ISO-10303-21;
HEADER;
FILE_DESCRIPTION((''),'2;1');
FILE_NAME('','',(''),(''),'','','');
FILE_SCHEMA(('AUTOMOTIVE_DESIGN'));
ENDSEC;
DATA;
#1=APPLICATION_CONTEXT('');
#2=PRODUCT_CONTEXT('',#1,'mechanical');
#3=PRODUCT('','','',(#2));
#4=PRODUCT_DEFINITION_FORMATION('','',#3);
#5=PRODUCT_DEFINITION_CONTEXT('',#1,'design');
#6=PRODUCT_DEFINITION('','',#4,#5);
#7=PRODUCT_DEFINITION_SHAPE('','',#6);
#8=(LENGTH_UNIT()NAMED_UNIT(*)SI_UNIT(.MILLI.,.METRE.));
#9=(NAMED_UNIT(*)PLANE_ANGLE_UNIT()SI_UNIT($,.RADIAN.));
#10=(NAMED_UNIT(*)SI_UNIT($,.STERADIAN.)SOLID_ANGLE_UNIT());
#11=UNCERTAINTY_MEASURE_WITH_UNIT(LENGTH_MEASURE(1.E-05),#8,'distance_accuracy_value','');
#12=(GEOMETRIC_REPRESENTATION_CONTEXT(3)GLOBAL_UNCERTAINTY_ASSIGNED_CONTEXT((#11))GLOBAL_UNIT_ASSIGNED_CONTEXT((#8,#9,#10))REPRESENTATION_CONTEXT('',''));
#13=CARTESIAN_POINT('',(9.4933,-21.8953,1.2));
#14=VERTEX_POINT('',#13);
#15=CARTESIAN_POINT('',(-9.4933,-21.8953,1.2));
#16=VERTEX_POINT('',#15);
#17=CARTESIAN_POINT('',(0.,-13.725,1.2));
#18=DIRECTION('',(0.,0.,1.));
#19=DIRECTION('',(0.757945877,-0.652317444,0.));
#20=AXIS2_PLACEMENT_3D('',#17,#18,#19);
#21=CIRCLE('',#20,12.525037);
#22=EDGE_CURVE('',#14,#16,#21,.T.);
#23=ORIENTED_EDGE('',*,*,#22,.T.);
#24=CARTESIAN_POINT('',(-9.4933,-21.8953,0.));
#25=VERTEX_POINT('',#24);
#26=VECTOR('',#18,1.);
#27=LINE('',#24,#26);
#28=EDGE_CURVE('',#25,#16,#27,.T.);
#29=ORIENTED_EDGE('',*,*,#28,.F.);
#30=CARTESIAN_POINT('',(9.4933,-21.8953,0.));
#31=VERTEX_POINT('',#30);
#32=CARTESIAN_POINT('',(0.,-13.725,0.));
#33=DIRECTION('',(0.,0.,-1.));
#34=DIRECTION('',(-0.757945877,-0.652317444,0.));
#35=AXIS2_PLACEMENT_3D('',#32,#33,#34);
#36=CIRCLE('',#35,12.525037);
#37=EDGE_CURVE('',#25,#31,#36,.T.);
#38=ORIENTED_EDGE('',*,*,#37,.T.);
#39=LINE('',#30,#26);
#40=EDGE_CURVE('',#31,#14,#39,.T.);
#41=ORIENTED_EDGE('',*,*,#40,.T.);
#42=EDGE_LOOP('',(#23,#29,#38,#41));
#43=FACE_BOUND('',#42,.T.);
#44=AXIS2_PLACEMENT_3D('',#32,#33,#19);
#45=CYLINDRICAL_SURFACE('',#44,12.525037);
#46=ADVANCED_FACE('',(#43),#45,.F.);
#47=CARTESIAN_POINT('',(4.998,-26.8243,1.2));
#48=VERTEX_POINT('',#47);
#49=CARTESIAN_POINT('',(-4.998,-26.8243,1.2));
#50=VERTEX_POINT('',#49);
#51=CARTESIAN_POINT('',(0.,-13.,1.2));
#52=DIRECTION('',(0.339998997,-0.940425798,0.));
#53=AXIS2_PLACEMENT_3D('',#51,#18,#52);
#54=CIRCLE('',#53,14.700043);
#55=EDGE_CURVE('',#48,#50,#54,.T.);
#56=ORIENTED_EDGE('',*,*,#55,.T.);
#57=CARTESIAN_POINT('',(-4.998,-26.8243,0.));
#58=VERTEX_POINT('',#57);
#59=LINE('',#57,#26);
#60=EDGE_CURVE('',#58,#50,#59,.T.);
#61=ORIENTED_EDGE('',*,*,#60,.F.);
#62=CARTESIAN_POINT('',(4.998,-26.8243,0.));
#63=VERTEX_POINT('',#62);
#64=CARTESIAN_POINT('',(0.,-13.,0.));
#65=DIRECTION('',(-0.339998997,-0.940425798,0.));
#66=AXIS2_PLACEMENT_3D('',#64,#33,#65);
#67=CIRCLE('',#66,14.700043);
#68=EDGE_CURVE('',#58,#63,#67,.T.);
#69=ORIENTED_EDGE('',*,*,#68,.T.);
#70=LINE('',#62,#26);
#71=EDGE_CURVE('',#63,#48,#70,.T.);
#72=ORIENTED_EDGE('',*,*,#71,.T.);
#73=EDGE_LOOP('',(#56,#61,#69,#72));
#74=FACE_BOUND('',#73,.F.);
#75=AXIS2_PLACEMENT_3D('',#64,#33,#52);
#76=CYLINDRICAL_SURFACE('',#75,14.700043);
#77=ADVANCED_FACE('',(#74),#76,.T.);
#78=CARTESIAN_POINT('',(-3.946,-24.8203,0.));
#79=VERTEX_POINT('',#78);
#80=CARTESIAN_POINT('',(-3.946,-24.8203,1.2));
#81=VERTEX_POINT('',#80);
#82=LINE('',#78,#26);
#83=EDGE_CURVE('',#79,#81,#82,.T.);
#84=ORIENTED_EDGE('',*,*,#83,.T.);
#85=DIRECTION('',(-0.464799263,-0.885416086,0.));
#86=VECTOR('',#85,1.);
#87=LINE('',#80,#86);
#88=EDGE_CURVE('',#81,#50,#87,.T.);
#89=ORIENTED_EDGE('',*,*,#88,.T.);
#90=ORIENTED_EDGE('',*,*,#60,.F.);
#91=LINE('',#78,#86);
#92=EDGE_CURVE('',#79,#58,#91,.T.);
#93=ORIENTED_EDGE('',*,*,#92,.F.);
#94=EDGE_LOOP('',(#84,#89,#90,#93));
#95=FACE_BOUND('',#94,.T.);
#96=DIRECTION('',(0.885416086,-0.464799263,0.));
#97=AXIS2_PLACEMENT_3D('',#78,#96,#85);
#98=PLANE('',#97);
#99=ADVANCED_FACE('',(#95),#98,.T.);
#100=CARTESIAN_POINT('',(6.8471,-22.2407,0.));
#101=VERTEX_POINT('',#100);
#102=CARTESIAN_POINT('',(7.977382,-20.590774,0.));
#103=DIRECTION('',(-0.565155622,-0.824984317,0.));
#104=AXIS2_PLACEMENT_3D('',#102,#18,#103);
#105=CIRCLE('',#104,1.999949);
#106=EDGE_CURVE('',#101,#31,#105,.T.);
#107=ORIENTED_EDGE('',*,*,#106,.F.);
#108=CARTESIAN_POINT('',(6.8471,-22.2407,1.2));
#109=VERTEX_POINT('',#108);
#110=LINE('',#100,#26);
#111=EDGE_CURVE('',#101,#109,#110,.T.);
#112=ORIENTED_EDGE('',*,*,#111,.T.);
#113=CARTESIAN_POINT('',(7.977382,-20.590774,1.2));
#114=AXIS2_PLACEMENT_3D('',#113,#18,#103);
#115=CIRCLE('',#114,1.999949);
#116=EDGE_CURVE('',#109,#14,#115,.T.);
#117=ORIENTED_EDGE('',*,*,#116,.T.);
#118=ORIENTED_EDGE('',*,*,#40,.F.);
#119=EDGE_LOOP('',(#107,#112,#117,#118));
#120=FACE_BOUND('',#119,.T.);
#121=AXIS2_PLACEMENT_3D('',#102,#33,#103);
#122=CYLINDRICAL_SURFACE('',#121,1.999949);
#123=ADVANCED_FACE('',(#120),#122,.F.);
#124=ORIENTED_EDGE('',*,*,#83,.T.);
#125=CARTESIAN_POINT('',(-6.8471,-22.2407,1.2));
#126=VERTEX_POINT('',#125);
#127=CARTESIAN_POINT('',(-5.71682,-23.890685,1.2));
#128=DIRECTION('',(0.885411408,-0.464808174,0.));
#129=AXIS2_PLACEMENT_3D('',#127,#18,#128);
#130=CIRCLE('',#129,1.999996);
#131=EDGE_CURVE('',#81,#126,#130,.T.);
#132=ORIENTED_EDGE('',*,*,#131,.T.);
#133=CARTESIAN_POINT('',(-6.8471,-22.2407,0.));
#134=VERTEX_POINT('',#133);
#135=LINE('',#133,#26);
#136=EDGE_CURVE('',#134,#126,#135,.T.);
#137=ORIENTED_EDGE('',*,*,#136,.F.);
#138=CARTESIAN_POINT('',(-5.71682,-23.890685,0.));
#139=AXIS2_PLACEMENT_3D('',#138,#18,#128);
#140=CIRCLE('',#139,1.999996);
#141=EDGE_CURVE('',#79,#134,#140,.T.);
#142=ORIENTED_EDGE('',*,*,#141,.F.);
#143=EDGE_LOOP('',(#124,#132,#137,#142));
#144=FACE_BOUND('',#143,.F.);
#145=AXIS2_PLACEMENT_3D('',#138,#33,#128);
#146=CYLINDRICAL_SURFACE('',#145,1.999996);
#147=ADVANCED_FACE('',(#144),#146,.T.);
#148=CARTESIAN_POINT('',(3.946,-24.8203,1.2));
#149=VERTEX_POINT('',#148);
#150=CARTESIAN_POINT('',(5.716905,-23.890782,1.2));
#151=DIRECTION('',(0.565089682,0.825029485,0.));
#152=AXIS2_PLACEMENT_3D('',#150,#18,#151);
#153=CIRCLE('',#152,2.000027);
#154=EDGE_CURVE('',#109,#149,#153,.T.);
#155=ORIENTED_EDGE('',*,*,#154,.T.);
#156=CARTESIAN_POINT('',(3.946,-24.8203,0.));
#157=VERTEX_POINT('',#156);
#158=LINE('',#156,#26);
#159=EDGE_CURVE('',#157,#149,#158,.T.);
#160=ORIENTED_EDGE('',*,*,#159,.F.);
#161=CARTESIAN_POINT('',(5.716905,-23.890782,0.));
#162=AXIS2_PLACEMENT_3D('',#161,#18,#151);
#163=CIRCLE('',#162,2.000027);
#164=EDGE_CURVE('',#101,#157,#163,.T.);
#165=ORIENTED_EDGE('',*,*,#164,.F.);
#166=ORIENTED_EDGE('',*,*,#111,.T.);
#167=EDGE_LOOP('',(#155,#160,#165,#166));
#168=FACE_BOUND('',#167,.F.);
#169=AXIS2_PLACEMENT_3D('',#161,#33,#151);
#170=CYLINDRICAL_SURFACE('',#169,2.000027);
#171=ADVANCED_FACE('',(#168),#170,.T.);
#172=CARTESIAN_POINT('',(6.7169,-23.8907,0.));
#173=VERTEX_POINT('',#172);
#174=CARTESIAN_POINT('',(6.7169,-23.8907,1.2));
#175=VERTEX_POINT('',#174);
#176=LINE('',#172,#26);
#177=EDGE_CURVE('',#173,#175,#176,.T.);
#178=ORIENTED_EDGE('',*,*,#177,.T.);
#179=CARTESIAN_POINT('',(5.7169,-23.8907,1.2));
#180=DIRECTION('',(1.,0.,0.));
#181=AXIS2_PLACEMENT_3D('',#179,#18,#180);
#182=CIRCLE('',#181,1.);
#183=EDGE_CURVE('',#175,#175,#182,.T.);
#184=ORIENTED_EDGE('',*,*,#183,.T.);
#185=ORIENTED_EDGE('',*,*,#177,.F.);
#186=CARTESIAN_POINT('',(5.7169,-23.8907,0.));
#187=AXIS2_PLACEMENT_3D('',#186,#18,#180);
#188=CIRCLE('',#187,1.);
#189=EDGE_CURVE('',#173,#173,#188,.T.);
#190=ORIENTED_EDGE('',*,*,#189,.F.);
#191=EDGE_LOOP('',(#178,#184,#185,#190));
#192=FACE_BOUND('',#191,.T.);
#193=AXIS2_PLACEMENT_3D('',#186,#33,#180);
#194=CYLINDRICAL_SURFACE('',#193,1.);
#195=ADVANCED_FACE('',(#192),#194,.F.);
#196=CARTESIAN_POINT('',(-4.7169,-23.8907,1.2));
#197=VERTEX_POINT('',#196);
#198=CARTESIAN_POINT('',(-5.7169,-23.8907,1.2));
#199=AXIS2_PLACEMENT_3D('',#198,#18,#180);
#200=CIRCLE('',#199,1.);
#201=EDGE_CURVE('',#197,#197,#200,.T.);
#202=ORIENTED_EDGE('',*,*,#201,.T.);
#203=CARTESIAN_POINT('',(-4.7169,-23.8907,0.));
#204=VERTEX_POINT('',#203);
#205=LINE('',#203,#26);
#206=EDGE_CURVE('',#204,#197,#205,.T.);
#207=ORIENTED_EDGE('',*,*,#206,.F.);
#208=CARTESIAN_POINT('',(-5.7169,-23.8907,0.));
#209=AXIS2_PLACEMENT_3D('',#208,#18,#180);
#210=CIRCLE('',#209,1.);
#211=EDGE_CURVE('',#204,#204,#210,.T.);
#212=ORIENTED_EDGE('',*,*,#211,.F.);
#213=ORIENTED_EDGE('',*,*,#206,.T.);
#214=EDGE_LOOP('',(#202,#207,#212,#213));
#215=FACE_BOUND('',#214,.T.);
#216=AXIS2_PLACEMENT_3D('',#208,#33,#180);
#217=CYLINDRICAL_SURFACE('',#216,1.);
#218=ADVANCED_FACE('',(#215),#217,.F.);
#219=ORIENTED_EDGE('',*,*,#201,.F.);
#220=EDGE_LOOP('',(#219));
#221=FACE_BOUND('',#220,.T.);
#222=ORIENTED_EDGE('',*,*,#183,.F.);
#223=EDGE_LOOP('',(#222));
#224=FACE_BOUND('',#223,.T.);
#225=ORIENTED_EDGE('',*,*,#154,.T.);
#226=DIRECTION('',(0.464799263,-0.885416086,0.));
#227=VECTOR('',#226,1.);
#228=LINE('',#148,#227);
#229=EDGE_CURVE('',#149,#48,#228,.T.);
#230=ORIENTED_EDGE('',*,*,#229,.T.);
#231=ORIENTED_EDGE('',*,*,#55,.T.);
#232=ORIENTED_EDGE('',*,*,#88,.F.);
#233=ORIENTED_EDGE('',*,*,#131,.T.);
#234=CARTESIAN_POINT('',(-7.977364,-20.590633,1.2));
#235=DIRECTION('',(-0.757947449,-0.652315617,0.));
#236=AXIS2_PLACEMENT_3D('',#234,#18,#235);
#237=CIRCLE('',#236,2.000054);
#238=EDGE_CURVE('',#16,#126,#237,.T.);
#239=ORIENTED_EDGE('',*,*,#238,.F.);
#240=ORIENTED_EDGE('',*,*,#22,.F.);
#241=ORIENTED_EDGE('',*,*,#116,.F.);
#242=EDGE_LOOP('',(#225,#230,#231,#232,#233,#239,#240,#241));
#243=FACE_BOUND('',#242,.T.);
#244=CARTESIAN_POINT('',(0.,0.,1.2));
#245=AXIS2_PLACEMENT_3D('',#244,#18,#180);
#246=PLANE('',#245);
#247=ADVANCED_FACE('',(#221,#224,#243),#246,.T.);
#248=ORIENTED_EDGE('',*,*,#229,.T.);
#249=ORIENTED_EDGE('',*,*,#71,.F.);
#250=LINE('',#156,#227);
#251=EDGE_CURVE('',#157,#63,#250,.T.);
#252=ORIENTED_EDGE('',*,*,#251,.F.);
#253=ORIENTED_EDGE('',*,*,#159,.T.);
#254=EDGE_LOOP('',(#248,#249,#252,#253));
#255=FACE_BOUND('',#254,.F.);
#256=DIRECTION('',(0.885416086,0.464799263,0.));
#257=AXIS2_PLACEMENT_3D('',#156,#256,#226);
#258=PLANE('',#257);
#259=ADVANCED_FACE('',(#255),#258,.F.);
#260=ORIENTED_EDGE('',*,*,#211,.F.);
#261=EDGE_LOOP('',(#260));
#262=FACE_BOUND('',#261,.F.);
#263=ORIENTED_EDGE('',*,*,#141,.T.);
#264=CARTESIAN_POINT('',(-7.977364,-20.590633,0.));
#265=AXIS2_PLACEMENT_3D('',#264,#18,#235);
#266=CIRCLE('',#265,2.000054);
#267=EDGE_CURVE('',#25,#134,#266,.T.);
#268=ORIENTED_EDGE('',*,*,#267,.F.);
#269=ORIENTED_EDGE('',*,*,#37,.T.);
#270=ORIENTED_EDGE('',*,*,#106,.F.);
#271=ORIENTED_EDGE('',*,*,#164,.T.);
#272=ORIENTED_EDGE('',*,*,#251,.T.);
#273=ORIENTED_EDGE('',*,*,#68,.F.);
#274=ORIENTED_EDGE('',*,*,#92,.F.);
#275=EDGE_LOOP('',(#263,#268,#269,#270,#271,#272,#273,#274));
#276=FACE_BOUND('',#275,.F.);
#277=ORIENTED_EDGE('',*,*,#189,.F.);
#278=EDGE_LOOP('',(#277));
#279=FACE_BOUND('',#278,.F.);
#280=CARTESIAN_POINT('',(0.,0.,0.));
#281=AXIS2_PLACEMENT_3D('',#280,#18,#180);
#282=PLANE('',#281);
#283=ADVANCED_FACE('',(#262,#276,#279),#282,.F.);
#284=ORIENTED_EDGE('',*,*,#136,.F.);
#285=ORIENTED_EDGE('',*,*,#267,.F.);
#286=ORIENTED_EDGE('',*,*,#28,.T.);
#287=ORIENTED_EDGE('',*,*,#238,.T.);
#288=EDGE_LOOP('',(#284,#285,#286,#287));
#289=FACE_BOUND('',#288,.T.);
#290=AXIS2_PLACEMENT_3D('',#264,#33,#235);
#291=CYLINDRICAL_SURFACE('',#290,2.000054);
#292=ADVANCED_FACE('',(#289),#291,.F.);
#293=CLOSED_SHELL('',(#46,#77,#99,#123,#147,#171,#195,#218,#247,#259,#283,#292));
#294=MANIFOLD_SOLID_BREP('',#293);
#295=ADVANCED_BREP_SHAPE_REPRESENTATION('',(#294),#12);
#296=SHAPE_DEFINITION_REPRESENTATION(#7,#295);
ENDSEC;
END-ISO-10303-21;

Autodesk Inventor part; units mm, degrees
ref_plane "YZ Plane" through (0, 0, 0) normal (1, 0, 0) x (0, 1, 0)
ref_plane "XZ Plane" through (0, 0, 0) normal (0, 1, 0) x (-1, 0, 0)
sketch "Szkic1" plane through (0, 0, 0) normal (0, 0, 1) x (1, 0, 0)
  arc A0 (9.4933, -21.8953) -> (-9.4933, -21.8953) centre (0, -13.725) ccw
  line L0 (0, 15.1128) -> (0, -73.1766) projected
  line L1 (-45.5, 0) -> (45.5, 0) projected
  line L2 (-4.9645, 1.7) -> (1.5024, 1.7) construction
  arc A1 (4.998, -26.8243) -> (-4.998, -26.8243) centre (0, -13) ccw
  line L3 (0, -1.2) -> (-5.3069, -1.2) construction
  line L4 (0, -13) -> (-6.8324, -26.0157) construction
  line L5 (-6.8324, -26.0157) -> (-20.0146, -19.0959) construction
  line L6 (-5.7169, -23.8907) -> (-15.9662, -18.5105) construction
  circle A2 centre (-5.7169, -23.8907) radius 1
  arc A3 (-3.946, -24.8203) -> (-6.8471, -22.2407) centre (-5.7169, -23.8907) ccw
  arc A4 (-9.4933, -21.8953) -> (-6.8471, -22.2407) centre (-7.9774, -20.5907) ccw
  line L7 (-3.946, -24.8203) -> (-4.998, -26.8243)
  circle A5 centre (5.7169, -23.8907) radius 1
  arc A6 (6.8471, -22.2407) -> (3.946, -24.8203) centre (5.7169, -23.8907) ccw
  arc A7 (6.8471, -22.2407) -> (9.4933, -21.8953) centre (7.9774, -20.5907) ccw
  line L8 (3.946, -24.8203) -> (4.998, -26.8243)
  point P0 (-13.0867, -20.022)
  point P1 (6.8324, -26.0157)
  dimension "d8" = 0.725
  dimension "d38" = 2.9
  dimension "d39" = 13
  dimension "d43" = 14.7
  dimension "d45" = 2.4
  dimension "d46" = 2
  dimension "d47" = 4.998
  dimension "d48" = 2
  dimension "d49" = 2
extrude "Bryła" add sketch "Szkic1" along normal blind 1.2
ref_plane "Work Plane1" through (0, -13.725, 0) normal (1, 0, 0) x (0, 0, 1)
equation "\"d8\" = 0.25 * SRB1"
equation "\"d38\" = SRB1"
equation "\"d39\" = 0.5 * WD"
equation "\"d43\" = 0.5 * ND"
equation "\"d45\" = 0.5 * SRB2"
equation "\"d46\" = SD5"
equation "\"d47\" = 0.17 * ND"
equation "\"d48\" = SD5"
equation "\"d49\" = SD5"
equation "\"d2\" = SD"
equation "\"WD\" = WDMIN"
equation "\"SD\" = 1.2"
equation "\"SRB1\" = 2.9"
equation "\"ND\" = 29.4"
equation "\"SRB2\" = 4.8"
equation "\"SD5\" = 2"
equation "\"WDMIN\" = 26"
equation "\"SD6\" = 30.1"
equation "\"NND\" = 28"
equation "\"WDMAX\" = NND"
properties part number "DIN 472 - 28 x 1,2" material "Stal, miękka"
